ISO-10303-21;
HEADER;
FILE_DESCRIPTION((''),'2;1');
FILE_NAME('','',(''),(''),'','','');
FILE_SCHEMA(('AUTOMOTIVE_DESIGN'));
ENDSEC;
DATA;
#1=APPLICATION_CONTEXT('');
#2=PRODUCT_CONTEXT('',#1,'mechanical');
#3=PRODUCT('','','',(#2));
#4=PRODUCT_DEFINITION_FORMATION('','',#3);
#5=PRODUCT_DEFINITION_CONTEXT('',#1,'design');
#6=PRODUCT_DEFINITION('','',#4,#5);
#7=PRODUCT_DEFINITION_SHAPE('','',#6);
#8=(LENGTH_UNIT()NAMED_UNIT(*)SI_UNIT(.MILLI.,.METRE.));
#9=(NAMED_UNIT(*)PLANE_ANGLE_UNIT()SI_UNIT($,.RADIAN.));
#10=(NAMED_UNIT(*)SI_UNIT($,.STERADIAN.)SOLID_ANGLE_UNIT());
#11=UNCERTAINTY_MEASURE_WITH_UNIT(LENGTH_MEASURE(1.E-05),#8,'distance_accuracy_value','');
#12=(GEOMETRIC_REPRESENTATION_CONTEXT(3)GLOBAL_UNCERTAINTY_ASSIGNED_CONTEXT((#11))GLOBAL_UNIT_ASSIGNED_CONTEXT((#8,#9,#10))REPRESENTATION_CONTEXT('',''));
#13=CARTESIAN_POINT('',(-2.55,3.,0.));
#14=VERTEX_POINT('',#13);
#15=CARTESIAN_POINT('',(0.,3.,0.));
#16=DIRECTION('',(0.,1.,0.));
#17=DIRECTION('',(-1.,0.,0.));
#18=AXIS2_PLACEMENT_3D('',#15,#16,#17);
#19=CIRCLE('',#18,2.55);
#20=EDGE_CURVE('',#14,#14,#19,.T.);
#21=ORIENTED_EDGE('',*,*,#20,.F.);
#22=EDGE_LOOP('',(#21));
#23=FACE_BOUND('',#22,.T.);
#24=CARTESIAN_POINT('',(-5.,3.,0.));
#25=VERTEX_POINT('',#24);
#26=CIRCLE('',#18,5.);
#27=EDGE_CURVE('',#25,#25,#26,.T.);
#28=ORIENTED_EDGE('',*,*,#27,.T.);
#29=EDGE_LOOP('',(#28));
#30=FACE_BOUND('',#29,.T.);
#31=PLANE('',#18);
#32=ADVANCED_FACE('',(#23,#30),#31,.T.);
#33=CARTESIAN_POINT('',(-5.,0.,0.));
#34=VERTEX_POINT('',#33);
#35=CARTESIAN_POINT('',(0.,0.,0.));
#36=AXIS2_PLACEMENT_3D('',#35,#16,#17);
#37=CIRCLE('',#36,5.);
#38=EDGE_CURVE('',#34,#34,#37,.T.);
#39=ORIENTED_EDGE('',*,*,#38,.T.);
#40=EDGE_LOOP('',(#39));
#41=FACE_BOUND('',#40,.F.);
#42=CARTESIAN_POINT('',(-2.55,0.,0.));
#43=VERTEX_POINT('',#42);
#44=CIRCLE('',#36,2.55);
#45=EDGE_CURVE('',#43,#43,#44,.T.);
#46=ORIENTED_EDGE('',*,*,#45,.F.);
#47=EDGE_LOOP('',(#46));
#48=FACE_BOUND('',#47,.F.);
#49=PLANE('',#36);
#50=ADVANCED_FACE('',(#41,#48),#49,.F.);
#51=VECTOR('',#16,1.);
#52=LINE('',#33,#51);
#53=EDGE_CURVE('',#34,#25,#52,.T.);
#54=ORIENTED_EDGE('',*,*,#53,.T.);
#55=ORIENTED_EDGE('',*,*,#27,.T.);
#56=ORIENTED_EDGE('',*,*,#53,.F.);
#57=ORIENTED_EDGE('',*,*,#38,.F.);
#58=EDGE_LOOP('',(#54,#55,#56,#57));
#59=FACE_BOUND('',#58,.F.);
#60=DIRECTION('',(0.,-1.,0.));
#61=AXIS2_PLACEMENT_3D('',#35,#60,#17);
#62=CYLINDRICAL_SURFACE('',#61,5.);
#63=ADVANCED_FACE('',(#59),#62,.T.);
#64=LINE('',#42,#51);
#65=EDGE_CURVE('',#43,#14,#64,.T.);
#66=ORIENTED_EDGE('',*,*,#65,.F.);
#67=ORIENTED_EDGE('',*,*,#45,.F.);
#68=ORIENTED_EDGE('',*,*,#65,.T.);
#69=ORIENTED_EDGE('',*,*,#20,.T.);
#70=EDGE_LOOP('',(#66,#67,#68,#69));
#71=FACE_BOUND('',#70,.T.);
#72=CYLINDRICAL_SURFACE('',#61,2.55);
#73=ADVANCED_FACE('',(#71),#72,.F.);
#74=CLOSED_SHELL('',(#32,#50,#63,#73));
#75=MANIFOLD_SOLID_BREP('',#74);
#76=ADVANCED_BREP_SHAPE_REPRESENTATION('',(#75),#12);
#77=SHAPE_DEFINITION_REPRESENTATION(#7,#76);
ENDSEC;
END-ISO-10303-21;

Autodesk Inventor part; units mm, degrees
ref_plane "YZ Plane" through (0, 0, 0) normal (1, 0, 0) x (0, 1, 0)
ref_plane "XZ Plane" through (0, 0, 0) normal (0, 1, 0) x (-1, 0, 0)
ref_plane "XY Plane" through (0, 0, 0) normal (0, 0, 1) x (1, 0, 0)
sketch "Sketch1" plane through (0, 0, 0) normal (0, 1, 0) x (-1, 0, 0)
  circle A0 centre (0, 0) radius 2.55
  circle A1 centre (0, 0) radius 5
  dimension "d0" = 5.1
  dimension "d1" = 10
extrude "Extrusion1" add sketch "Sketch1" along normal blind 3
properties part number "3mm Spacer"
